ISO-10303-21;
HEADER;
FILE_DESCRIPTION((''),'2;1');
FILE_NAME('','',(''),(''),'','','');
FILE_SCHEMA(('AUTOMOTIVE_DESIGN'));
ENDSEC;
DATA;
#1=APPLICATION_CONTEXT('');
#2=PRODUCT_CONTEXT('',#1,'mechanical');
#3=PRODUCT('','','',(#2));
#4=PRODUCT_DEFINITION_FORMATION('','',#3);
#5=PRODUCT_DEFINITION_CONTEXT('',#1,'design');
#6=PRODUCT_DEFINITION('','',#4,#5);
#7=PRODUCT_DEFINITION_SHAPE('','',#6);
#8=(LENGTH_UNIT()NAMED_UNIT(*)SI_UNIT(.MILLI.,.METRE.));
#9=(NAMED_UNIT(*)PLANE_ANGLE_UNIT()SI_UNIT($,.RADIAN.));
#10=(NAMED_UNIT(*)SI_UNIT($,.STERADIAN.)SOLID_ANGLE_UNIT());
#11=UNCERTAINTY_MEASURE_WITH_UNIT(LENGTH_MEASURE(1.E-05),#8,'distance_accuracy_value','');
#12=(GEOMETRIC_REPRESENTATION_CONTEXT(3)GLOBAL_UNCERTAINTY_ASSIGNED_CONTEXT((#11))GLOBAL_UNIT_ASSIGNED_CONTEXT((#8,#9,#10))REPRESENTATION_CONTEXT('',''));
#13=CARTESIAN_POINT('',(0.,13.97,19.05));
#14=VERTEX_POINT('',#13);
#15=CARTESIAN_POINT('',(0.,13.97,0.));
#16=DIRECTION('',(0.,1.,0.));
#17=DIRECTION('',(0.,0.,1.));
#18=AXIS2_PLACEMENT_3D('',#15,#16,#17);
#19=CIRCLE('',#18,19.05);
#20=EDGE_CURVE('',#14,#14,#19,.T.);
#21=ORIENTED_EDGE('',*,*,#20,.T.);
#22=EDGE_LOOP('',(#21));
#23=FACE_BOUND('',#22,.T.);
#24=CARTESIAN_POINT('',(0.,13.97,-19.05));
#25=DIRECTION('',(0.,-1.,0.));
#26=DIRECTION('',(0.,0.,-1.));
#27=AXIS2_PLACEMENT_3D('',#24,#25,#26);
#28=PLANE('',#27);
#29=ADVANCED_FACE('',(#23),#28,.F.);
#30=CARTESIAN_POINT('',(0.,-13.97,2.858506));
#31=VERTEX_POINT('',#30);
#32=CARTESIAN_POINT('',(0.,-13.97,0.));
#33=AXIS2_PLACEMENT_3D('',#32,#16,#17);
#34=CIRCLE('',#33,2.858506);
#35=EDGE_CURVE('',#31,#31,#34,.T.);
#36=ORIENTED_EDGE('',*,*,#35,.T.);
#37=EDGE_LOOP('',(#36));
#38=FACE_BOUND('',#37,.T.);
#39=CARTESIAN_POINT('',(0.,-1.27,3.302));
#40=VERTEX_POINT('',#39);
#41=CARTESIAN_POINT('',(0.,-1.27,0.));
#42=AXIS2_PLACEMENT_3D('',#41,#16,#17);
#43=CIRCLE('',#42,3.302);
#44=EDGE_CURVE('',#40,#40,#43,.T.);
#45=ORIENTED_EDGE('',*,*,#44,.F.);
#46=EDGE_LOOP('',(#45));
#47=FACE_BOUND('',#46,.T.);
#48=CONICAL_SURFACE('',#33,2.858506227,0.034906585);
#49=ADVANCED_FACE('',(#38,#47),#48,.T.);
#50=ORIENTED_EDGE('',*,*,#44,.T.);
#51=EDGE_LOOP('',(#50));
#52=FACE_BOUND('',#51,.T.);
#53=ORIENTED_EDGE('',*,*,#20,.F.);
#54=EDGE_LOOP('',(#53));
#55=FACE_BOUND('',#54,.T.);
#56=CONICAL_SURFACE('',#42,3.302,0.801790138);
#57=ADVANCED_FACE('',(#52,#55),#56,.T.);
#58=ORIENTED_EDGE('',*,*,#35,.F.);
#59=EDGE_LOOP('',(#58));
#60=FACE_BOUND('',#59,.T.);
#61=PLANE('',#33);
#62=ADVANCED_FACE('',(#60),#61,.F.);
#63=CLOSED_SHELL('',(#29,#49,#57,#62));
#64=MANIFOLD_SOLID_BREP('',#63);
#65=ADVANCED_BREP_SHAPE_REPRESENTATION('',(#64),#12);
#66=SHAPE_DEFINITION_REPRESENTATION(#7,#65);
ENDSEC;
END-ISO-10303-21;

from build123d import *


with BuildPart() as part:
    # Sketch1 → Revolve1 (revolve)
    with BuildSketch(Plane(origin=(0, 0, 0), x_dir=(0, 0, -1), z_dir=(1, 0, 0))):
        Polygon((0, 13.97), (0, -13.97), (2.858506227, -13.97), (3.302, -1.27), (19.05, 13.97), align=None)
    revolve(axis=Axis((0, 13.97, 0), (0, -1, 0)))


solid = part.part
